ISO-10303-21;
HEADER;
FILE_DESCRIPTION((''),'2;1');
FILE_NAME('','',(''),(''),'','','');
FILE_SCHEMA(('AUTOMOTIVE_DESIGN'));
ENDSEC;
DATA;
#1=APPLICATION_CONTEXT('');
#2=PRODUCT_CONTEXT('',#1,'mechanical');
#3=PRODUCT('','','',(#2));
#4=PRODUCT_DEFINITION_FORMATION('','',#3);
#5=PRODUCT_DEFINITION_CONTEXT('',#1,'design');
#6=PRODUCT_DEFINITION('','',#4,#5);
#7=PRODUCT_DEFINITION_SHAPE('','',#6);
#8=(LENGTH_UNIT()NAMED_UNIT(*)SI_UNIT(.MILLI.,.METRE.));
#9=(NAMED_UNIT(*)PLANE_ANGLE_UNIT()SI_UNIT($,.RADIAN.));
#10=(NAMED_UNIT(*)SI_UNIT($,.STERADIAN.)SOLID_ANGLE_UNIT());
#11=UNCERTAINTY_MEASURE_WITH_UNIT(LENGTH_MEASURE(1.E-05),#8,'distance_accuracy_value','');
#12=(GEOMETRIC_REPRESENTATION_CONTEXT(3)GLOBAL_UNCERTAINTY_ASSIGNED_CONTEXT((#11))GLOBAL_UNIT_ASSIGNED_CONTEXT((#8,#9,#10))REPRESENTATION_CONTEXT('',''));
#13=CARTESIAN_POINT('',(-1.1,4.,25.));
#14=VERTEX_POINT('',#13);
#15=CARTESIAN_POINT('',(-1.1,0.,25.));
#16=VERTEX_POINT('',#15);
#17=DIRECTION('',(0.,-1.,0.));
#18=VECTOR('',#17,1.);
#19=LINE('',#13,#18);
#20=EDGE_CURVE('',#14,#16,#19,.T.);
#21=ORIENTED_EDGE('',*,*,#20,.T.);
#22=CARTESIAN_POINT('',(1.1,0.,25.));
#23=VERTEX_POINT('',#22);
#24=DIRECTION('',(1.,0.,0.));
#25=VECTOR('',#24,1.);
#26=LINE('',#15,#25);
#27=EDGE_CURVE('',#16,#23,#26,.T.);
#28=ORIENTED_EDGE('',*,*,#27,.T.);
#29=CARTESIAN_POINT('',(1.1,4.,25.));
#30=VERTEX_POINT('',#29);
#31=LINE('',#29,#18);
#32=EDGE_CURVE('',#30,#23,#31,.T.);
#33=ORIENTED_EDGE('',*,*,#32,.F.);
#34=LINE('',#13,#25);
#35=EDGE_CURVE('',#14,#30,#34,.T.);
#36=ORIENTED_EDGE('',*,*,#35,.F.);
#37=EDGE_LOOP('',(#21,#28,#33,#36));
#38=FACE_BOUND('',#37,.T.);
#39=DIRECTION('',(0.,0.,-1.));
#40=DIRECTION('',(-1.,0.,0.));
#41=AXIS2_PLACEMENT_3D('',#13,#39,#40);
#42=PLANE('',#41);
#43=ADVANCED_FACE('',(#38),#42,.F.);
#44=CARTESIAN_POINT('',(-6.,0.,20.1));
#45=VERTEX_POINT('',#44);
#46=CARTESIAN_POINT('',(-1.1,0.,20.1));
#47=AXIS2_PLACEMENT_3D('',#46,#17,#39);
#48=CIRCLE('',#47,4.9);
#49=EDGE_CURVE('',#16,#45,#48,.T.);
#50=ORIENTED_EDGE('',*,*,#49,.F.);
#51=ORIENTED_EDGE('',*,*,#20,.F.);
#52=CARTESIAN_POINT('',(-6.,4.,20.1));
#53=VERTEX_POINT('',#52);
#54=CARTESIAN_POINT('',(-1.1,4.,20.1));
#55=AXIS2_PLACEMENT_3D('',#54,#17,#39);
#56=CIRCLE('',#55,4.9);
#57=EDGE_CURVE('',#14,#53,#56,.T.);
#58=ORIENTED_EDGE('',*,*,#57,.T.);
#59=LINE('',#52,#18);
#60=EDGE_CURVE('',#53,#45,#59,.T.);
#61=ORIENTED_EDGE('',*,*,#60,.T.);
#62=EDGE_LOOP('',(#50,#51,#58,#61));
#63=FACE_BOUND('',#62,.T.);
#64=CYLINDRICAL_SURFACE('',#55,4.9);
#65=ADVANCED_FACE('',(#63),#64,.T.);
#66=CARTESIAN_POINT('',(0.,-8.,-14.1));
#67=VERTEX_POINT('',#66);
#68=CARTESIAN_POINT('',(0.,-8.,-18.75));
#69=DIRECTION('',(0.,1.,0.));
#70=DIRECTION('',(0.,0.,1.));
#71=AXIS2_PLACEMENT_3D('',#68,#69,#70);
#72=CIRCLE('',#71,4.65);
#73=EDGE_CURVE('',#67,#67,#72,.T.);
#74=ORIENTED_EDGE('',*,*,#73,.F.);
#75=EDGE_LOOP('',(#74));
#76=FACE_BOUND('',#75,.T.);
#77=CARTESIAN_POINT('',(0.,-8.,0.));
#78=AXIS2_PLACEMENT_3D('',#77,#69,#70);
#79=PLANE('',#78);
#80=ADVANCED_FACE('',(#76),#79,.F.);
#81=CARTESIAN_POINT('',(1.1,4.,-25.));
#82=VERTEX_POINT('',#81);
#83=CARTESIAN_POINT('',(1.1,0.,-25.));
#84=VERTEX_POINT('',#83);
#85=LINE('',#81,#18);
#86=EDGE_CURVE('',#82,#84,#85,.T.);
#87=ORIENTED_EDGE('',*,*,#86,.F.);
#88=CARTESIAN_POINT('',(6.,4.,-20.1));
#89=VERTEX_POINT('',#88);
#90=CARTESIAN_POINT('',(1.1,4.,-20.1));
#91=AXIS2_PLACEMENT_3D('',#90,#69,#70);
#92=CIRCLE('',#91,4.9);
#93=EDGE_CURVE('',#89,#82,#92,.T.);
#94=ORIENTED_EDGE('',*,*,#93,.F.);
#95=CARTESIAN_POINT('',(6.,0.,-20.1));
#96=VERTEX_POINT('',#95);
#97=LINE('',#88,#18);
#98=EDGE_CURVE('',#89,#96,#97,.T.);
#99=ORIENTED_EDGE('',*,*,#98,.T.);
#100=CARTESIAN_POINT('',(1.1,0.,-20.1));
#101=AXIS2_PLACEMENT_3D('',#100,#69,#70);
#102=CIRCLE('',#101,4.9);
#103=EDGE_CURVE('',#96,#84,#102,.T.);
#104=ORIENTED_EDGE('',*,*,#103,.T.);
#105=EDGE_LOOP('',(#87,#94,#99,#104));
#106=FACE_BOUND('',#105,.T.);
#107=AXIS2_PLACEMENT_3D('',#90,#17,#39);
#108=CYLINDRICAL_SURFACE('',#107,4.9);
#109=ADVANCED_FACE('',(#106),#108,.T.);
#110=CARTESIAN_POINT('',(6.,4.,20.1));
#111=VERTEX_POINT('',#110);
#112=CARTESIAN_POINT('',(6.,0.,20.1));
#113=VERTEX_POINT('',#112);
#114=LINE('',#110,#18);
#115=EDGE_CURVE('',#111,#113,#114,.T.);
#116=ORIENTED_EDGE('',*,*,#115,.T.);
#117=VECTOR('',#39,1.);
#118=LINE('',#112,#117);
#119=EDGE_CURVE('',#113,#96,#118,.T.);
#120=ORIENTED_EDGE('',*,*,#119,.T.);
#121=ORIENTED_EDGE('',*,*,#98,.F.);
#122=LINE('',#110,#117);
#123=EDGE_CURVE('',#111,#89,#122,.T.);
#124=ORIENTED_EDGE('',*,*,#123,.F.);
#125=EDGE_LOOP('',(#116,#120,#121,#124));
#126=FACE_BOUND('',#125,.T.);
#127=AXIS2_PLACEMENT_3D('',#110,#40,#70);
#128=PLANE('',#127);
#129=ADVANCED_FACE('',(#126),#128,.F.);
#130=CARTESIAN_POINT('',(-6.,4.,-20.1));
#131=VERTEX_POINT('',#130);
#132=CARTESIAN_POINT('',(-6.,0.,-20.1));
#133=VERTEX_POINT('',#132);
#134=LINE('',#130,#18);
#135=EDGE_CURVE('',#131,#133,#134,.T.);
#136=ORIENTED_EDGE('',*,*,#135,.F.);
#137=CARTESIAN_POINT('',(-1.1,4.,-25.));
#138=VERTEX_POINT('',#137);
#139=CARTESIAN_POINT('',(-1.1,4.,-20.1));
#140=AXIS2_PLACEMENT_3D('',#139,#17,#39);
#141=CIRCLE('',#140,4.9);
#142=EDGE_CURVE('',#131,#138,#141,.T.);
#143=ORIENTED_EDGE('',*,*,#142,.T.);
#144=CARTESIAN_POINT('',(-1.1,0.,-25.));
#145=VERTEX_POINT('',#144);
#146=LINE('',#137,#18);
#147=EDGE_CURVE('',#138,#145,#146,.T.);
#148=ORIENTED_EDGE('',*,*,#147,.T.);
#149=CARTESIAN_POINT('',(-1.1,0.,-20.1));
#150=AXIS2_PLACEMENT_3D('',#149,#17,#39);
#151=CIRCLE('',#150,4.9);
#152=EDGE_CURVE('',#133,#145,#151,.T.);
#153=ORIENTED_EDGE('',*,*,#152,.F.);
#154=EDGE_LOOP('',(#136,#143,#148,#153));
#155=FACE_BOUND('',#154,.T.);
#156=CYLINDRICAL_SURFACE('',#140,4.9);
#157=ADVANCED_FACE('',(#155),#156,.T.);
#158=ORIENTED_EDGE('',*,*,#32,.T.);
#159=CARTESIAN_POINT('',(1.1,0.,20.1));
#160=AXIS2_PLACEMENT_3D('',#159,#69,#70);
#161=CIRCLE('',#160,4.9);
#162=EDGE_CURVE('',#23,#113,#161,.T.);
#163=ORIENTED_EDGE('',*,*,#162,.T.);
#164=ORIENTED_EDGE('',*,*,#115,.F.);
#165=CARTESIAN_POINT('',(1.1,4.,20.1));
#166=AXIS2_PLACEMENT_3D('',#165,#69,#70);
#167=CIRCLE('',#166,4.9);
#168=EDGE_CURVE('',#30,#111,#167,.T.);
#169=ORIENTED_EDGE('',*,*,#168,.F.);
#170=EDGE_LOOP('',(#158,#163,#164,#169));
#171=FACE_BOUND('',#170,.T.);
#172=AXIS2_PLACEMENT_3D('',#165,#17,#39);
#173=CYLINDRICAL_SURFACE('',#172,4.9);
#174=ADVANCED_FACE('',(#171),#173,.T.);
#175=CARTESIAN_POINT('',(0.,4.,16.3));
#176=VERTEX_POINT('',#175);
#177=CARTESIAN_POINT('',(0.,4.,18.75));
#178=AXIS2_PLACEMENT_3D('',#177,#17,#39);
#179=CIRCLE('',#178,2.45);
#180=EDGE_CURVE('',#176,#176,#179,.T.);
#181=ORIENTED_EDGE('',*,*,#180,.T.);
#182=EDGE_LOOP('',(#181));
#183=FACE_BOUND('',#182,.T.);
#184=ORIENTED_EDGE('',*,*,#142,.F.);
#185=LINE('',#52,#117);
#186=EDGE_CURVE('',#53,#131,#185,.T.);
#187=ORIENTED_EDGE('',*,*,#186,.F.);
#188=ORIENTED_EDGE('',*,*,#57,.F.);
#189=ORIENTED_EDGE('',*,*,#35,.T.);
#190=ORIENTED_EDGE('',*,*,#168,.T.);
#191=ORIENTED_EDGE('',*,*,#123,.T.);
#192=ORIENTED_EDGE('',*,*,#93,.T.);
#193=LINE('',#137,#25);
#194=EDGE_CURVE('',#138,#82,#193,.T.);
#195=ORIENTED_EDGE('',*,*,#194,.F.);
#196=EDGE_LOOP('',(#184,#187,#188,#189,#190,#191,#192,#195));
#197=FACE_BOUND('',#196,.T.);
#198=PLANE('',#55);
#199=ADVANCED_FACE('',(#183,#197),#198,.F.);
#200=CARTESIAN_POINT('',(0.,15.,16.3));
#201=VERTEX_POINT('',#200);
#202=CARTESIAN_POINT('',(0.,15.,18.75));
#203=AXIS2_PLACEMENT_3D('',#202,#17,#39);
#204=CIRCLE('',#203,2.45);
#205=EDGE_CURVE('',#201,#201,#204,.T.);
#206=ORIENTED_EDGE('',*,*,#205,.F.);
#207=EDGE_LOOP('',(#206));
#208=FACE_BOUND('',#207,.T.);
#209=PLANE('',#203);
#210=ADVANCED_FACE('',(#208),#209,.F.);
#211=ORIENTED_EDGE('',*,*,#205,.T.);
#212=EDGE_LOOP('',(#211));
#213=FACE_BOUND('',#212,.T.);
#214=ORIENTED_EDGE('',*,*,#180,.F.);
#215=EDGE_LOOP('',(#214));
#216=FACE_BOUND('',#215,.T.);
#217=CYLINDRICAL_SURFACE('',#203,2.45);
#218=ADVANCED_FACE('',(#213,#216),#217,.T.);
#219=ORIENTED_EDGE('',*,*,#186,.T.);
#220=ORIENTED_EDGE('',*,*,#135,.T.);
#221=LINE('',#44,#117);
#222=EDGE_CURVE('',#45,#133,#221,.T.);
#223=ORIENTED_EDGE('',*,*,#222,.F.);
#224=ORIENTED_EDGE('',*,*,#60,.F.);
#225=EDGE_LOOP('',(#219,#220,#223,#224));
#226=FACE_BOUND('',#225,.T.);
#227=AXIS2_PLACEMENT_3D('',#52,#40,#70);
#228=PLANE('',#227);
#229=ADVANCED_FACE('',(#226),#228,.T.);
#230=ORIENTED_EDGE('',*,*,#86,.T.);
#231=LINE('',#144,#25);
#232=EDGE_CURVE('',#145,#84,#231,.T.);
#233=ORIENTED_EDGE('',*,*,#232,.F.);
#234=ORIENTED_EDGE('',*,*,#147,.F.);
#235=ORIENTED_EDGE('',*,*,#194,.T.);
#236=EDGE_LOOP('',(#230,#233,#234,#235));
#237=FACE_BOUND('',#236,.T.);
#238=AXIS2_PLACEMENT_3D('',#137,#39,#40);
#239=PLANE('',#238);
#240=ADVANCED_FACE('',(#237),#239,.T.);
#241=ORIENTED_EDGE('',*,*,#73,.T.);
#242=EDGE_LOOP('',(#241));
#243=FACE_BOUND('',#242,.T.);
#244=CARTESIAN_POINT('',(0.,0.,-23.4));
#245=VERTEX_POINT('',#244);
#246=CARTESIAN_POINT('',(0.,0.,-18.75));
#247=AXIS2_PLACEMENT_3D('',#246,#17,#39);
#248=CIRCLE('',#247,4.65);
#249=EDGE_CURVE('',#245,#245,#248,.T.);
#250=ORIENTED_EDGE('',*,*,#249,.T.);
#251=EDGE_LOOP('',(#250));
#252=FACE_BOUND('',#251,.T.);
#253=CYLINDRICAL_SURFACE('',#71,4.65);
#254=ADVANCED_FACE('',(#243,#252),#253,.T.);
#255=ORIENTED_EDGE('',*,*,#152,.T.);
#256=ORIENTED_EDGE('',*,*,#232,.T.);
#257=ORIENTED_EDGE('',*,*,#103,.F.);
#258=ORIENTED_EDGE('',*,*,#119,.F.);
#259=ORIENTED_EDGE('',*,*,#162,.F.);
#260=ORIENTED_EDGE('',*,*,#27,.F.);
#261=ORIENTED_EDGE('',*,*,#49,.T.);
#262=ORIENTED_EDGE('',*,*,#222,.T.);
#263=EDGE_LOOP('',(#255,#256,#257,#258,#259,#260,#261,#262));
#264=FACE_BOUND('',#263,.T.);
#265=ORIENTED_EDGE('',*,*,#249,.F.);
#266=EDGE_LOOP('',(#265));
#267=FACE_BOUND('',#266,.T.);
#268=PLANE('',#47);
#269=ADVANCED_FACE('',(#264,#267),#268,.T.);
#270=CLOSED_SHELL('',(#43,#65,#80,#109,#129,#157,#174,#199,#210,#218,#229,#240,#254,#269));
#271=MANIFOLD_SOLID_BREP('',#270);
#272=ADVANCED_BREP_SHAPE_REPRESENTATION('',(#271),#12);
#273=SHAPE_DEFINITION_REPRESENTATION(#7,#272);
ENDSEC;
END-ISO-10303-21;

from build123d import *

# Parameters (mm, degrees)
BOSS_EXTRUDE1_DEPTH = 4
SKETCH2_3_R         = 4.65
BOSS_EXTRUDE2_DEPTH = 8
SKETCH2_4_R         = 2.45
BOSS_EXTRUDE3_DEPTH = 15


with BuildPart() as part:
    # Sketch2 → Boss-Extrude1 (new body)
    with BuildSketch(Plane(origin=(0, 0, 0), x_dir=(1, 0, 0), z_dir=(0, 1, 0))):
        with BuildLine():
            Line((-1.1, -25), (1.1, -25))
            ThreePointArc((1.1, -25), (4.564823228, -23.564823228), (6, -20.1))
            Line((6, -20.1), (6, 20.1))
            ThreePointArc((6, 20.1), (4.564823228, 23.564823228), (1.1, 25))
            Line((1.1, 25), (-1.1, 25))
            ThreePointArc((-1.1, 25), (-4.564823228, 23.564823228), (-6, 20.1))
            Line((-6, 20.1), (-6, -20.1))
            ThreePointArc((-6, -20.1), (-4.564823228, -23.564823228), (-1.1, -25))
        make_face()
    extrude(amount=BOSS_EXTRUDE1_DEPTH)

    # Sketch2<3> → Boss-Extrude2 (add)
    with BuildSketch(Plane(origin=(0, 0, 0), x_dir=(1, 0, 0), z_dir=(0, 1, 0))):
        with Locations((0, 18.75)):
            Circle(SKETCH2_3_R)
    extrude(amount=-BOSS_EXTRUDE2_DEPTH)

    # Sketch2<4> → Boss-Extrude3 (add)
    with BuildSketch(Plane(origin=(0, 0, 0), x_dir=(1, 0, 0), z_dir=(0, 1, 0))):
        with Locations((0, -18.75)):
            Circle(SKETCH2_4_R)
    extrude(amount=BOSS_EXTRUDE3_DEPTH)


solid = part.part
